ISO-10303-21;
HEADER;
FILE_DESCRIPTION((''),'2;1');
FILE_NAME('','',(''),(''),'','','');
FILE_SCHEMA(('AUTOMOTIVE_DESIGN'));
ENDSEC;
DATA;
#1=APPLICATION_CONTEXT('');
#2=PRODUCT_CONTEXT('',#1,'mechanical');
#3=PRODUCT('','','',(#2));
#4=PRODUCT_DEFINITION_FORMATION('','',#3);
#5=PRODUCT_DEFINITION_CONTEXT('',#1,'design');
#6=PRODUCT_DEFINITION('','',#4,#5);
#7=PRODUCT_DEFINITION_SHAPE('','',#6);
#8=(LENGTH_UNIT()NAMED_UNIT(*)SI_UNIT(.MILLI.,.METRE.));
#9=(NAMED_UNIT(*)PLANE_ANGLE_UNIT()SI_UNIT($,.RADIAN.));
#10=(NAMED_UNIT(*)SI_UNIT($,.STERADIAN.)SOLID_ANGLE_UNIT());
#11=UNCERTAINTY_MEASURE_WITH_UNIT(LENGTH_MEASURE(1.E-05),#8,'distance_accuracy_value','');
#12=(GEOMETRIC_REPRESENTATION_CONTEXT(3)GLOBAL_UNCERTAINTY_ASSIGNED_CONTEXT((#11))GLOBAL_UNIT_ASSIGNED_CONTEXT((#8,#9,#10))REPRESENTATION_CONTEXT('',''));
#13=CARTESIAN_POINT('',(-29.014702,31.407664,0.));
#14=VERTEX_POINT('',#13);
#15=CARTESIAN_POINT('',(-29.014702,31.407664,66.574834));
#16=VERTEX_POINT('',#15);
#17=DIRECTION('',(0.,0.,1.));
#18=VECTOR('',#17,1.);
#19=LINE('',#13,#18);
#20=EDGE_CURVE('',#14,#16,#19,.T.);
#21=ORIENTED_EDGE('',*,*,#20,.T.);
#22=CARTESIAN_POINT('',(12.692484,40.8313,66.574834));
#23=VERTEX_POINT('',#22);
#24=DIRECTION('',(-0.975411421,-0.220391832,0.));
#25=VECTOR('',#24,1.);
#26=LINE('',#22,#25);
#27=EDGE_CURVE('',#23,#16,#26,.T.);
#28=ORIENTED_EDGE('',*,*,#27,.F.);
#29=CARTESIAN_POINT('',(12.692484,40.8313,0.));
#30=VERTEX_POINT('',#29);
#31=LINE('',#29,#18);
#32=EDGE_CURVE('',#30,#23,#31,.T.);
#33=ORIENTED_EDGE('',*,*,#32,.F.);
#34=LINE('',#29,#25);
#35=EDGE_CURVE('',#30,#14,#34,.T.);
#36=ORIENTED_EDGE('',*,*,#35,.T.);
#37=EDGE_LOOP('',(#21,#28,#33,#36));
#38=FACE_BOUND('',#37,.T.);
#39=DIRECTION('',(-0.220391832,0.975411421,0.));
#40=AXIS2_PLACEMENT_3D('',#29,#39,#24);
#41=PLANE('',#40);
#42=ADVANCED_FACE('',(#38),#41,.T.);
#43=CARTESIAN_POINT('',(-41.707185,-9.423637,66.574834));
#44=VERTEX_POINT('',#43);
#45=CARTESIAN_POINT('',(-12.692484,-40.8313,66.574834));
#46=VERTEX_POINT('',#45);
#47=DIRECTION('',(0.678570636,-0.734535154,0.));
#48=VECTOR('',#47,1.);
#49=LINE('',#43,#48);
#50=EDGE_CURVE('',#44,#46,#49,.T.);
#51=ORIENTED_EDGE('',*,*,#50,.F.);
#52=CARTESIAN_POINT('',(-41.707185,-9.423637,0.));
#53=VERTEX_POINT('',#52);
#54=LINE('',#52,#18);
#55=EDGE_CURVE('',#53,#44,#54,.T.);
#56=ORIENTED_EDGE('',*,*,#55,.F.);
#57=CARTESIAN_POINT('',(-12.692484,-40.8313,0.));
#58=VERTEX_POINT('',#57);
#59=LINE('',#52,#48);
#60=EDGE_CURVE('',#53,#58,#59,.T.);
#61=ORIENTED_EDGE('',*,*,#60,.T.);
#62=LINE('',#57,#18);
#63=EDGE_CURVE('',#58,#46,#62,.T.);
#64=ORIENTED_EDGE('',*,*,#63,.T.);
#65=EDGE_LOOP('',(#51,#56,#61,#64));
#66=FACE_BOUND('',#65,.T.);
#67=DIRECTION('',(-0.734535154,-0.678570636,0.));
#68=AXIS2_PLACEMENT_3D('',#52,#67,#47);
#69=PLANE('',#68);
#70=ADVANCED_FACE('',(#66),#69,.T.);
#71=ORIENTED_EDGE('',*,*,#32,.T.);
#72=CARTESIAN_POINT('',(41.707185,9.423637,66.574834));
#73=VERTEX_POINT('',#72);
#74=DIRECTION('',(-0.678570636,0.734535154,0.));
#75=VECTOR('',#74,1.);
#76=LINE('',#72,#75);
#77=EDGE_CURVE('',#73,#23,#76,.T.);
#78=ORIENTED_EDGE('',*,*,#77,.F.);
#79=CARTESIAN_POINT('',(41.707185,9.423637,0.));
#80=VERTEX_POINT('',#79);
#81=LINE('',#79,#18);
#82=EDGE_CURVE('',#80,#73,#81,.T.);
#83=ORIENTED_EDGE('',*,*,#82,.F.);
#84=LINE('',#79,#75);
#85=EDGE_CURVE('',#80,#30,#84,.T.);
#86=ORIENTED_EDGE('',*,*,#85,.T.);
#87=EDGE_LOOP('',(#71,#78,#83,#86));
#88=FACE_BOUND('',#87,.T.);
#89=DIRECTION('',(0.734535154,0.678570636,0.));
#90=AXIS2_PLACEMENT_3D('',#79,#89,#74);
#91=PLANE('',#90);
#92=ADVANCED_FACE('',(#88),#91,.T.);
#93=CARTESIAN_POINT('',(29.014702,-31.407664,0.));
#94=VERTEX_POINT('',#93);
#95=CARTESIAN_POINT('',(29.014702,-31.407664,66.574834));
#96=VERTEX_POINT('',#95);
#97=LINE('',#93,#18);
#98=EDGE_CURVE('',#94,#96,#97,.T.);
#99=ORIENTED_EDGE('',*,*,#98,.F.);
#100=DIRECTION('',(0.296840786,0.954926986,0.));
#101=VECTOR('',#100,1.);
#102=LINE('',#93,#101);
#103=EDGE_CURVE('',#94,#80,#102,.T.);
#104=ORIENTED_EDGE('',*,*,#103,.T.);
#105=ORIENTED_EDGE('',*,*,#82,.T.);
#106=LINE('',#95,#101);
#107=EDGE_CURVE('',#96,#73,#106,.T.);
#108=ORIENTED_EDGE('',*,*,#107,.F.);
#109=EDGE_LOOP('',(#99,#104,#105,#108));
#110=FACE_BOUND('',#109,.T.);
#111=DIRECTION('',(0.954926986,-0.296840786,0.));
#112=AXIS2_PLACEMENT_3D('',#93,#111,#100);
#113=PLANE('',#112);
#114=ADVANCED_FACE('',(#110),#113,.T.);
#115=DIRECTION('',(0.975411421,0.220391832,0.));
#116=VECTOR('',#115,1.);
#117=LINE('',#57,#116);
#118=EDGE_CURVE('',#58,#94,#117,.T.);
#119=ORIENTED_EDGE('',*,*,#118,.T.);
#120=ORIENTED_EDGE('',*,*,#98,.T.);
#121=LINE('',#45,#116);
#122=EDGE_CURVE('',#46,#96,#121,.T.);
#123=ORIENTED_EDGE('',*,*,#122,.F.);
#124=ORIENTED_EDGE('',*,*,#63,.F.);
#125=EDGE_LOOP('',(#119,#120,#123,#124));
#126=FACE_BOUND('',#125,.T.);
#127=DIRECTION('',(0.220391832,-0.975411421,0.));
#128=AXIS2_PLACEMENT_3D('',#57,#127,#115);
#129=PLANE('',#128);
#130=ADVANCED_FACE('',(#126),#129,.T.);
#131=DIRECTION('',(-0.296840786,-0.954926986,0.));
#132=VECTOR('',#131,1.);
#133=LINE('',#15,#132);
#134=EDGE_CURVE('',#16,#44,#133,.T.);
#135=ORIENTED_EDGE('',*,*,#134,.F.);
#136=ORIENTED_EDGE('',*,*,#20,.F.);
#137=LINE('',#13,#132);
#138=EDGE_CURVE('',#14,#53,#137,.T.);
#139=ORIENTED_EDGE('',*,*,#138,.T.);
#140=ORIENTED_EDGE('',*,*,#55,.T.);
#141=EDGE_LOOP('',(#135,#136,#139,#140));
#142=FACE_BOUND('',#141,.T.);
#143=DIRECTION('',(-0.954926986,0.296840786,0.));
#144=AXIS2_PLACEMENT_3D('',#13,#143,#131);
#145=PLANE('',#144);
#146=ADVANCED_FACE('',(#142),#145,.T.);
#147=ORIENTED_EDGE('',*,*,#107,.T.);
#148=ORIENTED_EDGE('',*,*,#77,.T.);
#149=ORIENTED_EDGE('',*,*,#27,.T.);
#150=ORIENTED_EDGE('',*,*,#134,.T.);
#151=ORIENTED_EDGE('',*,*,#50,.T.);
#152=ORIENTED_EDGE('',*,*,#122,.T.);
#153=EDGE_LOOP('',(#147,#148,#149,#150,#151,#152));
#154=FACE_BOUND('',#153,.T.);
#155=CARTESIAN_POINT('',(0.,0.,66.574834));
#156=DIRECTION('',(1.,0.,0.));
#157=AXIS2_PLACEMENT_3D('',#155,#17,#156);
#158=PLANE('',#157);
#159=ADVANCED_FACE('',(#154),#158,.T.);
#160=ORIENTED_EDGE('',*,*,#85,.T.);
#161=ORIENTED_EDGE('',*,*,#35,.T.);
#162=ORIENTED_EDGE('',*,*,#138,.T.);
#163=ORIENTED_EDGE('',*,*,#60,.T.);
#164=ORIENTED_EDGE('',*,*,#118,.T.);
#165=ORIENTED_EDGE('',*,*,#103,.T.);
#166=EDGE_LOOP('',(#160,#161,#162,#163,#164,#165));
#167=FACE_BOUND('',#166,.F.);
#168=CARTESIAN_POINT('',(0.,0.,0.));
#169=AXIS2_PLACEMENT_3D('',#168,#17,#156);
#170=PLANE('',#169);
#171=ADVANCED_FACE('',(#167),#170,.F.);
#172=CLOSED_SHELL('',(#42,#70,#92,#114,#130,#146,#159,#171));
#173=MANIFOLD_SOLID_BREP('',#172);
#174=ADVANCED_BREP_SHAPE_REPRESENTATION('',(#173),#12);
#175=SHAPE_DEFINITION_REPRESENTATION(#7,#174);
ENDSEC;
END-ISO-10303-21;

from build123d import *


with BuildPart() as f2:
    # F2: sweep along a path in F1
    with BuildLine(Plane.XZ) as f2_path:
        Line((0, 0), (0, 66.5748342872))
    # F0 (on Top) → F2 (sweep)
    with BuildSketch(Plane.XY):
        Polygon((41.7071853632, 9.423636811), (12.6924838072, 40.8313004503), (-29.0147015559, 31.4076636393), (-41.7071853632, -9.423636811), (-12.6924838072, -40.8313004503), (29.0147015559, -31.4076636393), align=None)
    sweep(path=f2_path.line)


solid = f2.part
